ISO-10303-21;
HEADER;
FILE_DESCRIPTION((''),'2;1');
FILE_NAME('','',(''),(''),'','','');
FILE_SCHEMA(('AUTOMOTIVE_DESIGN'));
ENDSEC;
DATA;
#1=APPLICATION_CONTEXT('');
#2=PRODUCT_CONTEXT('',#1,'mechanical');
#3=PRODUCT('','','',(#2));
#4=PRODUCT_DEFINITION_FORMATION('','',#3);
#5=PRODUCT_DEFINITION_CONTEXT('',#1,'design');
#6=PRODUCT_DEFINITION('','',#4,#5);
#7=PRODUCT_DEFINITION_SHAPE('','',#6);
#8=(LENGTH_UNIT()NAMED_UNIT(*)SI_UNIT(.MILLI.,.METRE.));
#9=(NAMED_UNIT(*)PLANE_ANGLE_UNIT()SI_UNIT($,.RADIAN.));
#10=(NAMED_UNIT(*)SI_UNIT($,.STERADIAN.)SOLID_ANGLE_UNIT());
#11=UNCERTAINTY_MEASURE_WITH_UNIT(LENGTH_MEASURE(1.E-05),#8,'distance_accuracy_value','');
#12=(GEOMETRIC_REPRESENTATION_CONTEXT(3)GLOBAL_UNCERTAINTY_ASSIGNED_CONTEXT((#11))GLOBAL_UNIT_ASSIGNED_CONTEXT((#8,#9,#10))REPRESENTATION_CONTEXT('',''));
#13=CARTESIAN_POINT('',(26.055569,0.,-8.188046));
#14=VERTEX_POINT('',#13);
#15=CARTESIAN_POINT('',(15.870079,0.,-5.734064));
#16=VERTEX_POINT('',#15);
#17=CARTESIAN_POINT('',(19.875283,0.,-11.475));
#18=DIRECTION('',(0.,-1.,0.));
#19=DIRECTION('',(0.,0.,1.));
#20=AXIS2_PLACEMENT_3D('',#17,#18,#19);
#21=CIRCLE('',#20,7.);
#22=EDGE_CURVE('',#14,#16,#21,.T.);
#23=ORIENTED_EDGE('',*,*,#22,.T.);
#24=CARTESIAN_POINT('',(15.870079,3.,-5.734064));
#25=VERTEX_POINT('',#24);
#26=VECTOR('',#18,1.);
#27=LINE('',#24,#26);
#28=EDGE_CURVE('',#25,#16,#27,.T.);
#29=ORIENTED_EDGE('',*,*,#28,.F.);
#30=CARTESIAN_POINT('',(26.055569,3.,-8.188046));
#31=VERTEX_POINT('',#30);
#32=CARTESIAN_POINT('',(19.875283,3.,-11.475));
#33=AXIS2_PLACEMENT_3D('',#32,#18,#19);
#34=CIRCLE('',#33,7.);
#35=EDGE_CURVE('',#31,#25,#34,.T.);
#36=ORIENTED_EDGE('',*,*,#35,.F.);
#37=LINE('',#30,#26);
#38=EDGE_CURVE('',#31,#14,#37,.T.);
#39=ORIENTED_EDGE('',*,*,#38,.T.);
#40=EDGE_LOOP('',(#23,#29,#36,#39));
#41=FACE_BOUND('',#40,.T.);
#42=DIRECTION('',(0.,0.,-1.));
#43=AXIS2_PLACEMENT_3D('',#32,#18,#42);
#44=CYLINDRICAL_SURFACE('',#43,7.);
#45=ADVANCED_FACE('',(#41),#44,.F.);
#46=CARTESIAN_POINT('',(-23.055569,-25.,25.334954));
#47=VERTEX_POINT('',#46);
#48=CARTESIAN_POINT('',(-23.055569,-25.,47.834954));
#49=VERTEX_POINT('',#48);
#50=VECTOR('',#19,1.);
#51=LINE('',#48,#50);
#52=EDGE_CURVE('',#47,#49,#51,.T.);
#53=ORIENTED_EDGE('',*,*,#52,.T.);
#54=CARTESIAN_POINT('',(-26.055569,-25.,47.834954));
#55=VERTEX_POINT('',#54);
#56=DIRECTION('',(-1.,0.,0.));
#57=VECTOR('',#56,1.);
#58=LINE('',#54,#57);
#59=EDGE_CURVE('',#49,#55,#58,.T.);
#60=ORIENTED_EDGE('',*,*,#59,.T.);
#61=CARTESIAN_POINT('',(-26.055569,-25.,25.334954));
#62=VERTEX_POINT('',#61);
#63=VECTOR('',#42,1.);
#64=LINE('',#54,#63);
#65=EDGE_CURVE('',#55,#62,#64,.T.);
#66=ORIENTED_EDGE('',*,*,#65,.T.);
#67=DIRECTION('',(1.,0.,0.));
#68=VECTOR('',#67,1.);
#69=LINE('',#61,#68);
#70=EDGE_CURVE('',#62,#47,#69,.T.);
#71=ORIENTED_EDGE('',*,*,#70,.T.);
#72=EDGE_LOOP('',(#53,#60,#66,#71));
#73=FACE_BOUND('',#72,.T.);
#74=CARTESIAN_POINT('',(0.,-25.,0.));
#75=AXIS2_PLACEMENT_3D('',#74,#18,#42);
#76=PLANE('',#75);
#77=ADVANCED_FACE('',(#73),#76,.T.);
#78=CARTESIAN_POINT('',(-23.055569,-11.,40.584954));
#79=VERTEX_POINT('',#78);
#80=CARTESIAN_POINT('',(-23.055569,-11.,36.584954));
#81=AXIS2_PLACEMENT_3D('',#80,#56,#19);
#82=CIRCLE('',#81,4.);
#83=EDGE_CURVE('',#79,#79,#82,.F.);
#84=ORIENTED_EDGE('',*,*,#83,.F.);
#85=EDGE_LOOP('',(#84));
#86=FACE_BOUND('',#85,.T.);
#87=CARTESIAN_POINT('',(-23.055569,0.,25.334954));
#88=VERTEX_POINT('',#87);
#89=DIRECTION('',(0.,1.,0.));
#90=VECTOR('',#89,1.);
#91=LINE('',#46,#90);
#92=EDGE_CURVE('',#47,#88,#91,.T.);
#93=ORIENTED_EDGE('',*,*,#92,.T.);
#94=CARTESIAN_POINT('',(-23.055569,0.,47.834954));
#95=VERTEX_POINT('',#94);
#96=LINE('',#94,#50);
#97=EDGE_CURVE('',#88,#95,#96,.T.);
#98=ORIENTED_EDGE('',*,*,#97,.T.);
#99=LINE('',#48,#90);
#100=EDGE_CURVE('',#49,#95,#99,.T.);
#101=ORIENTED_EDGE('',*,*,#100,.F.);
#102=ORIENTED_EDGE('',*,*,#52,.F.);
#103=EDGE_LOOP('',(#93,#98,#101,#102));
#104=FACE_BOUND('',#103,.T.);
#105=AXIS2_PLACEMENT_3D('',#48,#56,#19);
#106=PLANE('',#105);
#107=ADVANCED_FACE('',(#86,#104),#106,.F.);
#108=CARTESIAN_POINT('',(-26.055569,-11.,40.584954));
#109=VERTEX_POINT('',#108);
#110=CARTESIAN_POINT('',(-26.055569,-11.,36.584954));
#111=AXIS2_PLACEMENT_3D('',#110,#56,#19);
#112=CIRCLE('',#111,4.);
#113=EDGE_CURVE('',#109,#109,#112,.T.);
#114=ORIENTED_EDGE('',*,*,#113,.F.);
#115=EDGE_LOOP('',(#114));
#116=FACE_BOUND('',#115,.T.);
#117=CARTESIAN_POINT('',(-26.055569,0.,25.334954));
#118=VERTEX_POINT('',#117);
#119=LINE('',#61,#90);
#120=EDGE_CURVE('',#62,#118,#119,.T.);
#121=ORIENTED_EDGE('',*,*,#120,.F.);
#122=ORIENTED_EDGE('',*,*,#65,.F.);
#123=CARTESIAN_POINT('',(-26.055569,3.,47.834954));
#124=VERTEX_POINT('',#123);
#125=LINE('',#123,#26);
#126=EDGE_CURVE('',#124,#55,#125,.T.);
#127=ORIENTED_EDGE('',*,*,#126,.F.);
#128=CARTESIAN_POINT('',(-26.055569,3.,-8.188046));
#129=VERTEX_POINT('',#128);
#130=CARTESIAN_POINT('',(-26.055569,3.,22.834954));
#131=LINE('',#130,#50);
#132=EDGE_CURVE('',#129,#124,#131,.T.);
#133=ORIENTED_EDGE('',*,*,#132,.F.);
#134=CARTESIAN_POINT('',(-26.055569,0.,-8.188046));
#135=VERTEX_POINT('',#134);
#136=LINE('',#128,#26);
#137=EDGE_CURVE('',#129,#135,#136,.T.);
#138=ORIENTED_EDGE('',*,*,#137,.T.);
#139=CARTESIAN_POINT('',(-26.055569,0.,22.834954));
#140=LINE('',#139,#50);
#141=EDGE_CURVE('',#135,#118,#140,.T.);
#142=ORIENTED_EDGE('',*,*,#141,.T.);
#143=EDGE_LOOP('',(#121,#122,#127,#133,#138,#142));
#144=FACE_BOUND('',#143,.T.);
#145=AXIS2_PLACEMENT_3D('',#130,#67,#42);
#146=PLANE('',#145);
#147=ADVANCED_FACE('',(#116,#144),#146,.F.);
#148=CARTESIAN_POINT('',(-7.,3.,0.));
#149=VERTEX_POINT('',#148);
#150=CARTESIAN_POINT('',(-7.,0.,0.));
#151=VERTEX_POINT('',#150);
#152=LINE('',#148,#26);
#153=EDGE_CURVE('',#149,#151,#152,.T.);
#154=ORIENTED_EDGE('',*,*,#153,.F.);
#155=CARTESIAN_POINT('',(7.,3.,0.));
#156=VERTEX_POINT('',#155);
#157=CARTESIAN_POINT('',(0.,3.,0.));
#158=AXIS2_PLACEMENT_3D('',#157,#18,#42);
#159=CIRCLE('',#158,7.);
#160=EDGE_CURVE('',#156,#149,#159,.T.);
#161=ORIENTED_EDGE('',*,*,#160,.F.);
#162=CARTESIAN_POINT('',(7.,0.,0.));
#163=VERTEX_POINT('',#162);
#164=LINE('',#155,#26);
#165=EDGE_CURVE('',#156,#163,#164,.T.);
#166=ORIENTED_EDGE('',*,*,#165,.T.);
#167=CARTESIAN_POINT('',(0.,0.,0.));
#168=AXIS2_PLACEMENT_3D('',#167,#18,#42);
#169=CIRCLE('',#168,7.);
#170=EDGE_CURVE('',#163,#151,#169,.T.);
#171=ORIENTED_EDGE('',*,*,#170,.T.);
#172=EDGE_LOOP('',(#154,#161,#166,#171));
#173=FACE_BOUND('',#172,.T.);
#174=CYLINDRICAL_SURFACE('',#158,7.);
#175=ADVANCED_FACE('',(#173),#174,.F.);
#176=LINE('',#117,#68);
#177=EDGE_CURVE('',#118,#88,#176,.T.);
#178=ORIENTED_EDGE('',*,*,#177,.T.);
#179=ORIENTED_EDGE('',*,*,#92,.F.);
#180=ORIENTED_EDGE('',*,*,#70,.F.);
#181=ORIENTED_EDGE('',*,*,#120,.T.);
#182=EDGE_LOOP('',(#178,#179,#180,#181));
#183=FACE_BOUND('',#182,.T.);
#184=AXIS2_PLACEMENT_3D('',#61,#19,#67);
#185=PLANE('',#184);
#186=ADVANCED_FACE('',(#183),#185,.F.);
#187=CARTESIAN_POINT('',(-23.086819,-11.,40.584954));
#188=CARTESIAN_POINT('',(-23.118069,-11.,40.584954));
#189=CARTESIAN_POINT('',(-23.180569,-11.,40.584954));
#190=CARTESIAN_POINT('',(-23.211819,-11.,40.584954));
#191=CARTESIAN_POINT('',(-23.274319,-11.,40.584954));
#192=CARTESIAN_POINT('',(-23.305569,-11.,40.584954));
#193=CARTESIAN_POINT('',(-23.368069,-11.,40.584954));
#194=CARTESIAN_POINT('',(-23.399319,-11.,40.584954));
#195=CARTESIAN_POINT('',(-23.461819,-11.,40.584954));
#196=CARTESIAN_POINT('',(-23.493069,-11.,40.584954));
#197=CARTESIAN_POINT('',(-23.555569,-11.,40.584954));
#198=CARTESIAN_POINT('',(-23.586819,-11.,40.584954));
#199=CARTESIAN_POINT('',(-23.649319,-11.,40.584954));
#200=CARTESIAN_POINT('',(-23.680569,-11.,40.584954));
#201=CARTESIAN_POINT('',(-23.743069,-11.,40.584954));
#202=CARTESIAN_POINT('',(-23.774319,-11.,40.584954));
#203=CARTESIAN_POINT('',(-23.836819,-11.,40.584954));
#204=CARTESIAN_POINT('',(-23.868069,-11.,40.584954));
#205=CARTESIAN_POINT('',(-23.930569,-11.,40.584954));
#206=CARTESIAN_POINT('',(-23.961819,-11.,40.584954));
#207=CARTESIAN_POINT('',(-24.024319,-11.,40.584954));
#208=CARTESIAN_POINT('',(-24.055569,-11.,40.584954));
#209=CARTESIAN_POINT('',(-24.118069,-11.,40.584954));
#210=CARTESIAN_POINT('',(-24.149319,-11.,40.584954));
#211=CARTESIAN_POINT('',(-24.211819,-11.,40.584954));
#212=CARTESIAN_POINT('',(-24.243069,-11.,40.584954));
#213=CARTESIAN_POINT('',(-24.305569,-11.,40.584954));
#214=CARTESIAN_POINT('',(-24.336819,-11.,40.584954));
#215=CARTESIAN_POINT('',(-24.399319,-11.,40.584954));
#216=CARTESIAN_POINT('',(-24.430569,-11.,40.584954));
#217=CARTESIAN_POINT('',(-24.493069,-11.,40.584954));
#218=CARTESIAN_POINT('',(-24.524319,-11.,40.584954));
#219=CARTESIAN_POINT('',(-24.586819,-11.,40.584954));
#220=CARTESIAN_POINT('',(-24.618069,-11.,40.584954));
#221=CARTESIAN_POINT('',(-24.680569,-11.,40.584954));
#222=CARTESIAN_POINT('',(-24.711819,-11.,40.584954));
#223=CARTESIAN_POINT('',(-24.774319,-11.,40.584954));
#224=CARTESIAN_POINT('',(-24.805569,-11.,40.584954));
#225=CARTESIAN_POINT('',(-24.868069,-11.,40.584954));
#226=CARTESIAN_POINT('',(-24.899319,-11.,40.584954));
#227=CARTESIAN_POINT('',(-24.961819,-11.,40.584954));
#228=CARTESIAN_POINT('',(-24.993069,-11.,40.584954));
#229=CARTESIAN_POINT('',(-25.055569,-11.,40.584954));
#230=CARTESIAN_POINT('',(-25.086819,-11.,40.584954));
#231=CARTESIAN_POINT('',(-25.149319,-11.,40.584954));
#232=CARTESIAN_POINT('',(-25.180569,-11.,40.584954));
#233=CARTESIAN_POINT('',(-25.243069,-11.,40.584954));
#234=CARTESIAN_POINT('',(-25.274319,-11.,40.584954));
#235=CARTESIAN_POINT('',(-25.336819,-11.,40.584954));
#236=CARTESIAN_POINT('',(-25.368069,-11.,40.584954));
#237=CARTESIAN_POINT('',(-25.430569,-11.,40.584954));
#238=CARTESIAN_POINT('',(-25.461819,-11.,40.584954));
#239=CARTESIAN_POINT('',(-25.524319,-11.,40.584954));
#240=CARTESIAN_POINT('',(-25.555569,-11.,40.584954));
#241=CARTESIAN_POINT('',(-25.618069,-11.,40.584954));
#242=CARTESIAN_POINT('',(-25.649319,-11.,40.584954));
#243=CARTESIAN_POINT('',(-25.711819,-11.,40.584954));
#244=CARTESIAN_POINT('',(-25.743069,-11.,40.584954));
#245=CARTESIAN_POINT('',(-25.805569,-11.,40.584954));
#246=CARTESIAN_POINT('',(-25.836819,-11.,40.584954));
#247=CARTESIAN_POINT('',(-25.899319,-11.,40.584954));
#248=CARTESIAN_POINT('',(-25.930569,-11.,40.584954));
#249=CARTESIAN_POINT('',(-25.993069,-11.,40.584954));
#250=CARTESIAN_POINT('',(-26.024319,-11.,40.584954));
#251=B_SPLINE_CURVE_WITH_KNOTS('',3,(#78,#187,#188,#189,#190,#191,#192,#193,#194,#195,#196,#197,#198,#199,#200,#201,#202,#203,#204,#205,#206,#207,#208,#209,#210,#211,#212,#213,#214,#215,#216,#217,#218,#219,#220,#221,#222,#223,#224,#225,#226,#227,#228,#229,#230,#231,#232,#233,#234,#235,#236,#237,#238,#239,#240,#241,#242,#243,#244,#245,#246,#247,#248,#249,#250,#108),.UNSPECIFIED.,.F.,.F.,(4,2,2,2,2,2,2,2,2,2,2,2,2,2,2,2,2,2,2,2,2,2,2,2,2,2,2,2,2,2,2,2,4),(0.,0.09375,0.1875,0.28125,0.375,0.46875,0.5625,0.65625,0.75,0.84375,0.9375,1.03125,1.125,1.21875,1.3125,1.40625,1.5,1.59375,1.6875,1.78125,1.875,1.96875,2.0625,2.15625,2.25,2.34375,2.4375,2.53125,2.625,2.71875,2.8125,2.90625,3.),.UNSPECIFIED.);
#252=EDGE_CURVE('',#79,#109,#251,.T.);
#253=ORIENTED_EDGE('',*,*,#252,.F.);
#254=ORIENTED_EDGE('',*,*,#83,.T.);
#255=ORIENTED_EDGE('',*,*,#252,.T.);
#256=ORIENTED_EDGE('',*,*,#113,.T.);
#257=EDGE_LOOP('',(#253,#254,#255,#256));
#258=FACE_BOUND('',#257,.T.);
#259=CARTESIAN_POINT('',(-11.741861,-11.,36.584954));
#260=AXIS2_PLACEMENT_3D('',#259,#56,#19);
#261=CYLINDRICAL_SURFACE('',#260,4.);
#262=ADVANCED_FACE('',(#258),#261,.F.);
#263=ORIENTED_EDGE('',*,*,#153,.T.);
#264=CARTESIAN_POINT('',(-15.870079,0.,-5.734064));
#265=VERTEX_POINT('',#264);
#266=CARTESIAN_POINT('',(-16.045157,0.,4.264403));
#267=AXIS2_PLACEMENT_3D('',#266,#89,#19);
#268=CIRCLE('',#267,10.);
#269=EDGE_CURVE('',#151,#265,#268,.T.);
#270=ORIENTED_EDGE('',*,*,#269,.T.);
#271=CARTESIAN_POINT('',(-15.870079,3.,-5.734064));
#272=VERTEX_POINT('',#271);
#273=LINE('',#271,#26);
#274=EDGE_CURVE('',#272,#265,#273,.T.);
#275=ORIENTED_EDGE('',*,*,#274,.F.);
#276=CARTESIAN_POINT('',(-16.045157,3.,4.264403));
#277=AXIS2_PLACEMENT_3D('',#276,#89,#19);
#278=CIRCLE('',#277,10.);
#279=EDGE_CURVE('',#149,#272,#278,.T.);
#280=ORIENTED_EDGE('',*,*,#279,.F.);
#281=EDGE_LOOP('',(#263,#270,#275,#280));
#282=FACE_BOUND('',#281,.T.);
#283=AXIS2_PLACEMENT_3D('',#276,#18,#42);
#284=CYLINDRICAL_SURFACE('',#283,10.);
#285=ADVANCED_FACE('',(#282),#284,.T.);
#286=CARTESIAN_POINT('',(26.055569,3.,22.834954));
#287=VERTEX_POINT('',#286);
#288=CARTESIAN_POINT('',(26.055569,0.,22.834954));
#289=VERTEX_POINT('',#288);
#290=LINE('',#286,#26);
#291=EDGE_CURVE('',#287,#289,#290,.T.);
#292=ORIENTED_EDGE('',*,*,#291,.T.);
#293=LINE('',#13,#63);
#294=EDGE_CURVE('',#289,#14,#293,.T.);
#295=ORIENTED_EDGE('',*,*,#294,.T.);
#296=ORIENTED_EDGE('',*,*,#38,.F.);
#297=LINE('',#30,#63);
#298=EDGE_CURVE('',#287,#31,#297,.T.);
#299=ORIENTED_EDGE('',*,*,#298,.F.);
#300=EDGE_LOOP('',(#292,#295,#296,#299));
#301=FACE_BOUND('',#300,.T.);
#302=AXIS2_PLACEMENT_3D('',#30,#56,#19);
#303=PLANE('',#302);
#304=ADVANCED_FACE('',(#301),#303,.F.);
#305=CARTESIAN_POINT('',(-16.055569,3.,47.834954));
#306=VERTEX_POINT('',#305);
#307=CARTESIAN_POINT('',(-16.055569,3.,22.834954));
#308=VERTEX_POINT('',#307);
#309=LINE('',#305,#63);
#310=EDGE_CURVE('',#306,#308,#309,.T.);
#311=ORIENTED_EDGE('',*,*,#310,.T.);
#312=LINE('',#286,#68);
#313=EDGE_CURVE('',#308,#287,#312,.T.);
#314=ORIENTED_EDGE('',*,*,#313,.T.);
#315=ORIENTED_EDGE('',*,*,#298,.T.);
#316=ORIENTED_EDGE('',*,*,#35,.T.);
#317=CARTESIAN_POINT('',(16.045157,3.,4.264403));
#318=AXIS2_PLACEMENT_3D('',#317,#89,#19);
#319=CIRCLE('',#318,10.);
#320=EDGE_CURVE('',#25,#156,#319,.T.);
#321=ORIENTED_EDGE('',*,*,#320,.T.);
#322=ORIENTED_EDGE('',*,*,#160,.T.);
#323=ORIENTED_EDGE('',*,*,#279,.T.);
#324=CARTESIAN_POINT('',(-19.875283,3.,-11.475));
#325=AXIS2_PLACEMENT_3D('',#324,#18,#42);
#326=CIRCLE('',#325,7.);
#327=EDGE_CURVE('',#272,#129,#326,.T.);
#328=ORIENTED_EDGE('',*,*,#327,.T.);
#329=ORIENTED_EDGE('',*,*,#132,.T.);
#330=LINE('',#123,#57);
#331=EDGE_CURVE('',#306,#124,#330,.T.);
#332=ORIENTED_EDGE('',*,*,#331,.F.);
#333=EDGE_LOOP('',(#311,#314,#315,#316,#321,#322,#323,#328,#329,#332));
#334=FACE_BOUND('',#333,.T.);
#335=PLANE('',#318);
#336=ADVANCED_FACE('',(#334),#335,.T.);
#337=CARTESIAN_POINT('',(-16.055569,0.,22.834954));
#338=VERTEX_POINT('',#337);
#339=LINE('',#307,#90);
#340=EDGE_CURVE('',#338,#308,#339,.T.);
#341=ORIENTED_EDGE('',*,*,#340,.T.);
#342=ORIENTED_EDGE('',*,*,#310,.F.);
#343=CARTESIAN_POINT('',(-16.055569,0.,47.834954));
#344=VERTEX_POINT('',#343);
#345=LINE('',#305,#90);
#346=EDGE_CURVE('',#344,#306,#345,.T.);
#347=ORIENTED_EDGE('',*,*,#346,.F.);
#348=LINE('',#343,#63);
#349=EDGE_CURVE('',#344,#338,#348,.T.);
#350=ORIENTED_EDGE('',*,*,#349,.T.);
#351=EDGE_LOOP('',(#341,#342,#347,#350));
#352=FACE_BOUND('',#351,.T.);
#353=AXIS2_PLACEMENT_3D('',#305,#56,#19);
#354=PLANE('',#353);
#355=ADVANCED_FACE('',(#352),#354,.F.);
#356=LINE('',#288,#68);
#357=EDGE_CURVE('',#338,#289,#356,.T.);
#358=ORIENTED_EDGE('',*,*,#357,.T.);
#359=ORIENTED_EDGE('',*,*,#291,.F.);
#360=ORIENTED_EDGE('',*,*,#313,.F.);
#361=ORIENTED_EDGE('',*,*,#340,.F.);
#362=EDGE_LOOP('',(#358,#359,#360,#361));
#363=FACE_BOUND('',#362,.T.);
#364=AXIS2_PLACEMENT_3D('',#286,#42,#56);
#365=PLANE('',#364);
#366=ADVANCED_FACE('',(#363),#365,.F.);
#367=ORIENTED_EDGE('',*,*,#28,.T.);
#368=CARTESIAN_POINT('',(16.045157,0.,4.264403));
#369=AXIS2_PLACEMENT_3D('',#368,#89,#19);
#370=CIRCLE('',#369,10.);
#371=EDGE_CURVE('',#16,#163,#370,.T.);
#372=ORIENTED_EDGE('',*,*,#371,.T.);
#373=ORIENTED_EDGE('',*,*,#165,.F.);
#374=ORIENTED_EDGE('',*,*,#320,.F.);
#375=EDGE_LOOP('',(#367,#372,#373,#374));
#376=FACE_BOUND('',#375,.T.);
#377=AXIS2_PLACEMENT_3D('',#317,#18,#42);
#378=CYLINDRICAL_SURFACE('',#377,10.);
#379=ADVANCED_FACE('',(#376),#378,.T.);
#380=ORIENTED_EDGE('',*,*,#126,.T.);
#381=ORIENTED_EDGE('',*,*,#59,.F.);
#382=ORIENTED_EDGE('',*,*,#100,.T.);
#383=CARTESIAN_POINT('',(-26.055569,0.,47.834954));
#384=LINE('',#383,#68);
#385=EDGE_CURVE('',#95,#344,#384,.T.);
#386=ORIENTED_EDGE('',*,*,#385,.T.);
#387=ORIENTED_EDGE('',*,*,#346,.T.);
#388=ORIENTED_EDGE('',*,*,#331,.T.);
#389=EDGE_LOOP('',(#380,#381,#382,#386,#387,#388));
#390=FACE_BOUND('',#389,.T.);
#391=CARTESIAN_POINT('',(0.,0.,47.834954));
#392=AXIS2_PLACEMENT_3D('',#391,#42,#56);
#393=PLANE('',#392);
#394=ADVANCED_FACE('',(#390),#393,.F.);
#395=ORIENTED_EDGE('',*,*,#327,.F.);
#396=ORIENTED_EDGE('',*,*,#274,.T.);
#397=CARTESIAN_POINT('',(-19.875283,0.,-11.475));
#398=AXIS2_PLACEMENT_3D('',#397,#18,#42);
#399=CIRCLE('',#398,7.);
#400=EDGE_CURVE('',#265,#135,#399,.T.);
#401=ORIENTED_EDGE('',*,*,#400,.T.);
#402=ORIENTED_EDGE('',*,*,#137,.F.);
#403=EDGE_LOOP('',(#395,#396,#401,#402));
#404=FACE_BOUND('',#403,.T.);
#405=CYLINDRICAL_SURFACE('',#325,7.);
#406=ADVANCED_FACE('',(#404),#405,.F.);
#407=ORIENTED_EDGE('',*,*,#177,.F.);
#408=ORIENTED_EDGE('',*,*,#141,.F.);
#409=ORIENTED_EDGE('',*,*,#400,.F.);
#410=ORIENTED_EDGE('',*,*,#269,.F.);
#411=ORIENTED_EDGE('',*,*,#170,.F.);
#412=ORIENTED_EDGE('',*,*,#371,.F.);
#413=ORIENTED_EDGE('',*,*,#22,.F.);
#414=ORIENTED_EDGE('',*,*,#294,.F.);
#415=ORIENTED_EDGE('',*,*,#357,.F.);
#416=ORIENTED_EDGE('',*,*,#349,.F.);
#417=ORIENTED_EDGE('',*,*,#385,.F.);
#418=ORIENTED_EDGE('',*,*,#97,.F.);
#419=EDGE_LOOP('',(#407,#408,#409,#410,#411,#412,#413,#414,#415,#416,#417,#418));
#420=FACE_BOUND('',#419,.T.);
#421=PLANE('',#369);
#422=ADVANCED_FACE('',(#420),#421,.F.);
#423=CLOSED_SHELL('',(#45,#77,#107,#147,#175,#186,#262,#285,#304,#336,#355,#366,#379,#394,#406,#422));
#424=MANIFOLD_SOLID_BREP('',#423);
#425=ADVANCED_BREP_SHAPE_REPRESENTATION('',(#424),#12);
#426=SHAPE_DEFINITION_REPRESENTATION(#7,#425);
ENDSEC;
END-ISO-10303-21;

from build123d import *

# Parameters (mm, degrees)
BOSS_EXTRUDE1_DEPTH = 3
SKETCH3_W           = 10
SKETCH3_H           = 3
BOSS_EXTRUDE2_DEPTH = 25
SKETCH4_W           = 3
SKETCH4_H           = 22.5
BOSS_EXTRUDE3_DEPTH = 25
SKETCH5_R           = 4
CUT_EXTRUDE1_DEPTH  = 3


with BuildPart() as part:
    # Sketch2 → Boss-Extrude1 (new body)
    with BuildSketch(Plane(origin=(0, 0, 0), x_dir=(1, 0, 0), z_dir=(0, 1, 0))):
        with BuildLine():
            Line((26.055569119, 8.188046441), (26.055569119, -22.834953559))
            Line((26.055569119, -22.834953559), (-26.055569119, -22.834953559))
            Line((-26.055569119, -22.834953559), (-26.055569119, 8.188046441))
            ThreePointArc((-26.055569119, 8.188046441), (-21.514872246, 4.669726518), (-15.870079226, 5.73406431))
            ThreePointArc((-15.870079226, 5.73406431), (-10.616247764, 4.133629141), (-7, 0))
            ThreePointArc((-7, 0), (0, -7), (7, 0))
            ThreePointArc((7, 0), (10.616247764, 4.133629141), (15.870079226, 5.73406431))
            ThreePointArc((15.870079226, 5.73406431), (21.514872246, 4.669726518), (26.055569119, 8.188046441))
        make_face()
    extrude(amount=BOSS_EXTRUDE1_DEPTH)

    # Sketch3 → Boss-Extrude2 (add)
    with BuildSketch(Plane.XY.offset(22.834953559)):
        with Locations((-21.055569119, 1.5)):
            Rectangle(SKETCH3_W, SKETCH3_H)
    extrude(amount=BOSS_EXTRUDE2_DEPTH)

    # Sketch4 → Boss-Extrude3 (add)
    with BuildSketch(Plane.XZ):
        with Locations((-24.555569119, 36.584953559)):
            Rectangle(SKETCH4_W, SKETCH4_H)
    extrude(amount=BOSS_EXTRUDE3_DEPTH)

    # Sketch5 → Cut-Extrude1 (cut)
    with BuildSketch(Plane.ZY.offset(26.055569119)):
        with Locations((36.584953559, -11)):
            Circle(SKETCH5_R)
    extrude(amount=-CUT_EXTRUDE1_DEPTH, mode=Mode.SUBTRACT)


solid = part.part
